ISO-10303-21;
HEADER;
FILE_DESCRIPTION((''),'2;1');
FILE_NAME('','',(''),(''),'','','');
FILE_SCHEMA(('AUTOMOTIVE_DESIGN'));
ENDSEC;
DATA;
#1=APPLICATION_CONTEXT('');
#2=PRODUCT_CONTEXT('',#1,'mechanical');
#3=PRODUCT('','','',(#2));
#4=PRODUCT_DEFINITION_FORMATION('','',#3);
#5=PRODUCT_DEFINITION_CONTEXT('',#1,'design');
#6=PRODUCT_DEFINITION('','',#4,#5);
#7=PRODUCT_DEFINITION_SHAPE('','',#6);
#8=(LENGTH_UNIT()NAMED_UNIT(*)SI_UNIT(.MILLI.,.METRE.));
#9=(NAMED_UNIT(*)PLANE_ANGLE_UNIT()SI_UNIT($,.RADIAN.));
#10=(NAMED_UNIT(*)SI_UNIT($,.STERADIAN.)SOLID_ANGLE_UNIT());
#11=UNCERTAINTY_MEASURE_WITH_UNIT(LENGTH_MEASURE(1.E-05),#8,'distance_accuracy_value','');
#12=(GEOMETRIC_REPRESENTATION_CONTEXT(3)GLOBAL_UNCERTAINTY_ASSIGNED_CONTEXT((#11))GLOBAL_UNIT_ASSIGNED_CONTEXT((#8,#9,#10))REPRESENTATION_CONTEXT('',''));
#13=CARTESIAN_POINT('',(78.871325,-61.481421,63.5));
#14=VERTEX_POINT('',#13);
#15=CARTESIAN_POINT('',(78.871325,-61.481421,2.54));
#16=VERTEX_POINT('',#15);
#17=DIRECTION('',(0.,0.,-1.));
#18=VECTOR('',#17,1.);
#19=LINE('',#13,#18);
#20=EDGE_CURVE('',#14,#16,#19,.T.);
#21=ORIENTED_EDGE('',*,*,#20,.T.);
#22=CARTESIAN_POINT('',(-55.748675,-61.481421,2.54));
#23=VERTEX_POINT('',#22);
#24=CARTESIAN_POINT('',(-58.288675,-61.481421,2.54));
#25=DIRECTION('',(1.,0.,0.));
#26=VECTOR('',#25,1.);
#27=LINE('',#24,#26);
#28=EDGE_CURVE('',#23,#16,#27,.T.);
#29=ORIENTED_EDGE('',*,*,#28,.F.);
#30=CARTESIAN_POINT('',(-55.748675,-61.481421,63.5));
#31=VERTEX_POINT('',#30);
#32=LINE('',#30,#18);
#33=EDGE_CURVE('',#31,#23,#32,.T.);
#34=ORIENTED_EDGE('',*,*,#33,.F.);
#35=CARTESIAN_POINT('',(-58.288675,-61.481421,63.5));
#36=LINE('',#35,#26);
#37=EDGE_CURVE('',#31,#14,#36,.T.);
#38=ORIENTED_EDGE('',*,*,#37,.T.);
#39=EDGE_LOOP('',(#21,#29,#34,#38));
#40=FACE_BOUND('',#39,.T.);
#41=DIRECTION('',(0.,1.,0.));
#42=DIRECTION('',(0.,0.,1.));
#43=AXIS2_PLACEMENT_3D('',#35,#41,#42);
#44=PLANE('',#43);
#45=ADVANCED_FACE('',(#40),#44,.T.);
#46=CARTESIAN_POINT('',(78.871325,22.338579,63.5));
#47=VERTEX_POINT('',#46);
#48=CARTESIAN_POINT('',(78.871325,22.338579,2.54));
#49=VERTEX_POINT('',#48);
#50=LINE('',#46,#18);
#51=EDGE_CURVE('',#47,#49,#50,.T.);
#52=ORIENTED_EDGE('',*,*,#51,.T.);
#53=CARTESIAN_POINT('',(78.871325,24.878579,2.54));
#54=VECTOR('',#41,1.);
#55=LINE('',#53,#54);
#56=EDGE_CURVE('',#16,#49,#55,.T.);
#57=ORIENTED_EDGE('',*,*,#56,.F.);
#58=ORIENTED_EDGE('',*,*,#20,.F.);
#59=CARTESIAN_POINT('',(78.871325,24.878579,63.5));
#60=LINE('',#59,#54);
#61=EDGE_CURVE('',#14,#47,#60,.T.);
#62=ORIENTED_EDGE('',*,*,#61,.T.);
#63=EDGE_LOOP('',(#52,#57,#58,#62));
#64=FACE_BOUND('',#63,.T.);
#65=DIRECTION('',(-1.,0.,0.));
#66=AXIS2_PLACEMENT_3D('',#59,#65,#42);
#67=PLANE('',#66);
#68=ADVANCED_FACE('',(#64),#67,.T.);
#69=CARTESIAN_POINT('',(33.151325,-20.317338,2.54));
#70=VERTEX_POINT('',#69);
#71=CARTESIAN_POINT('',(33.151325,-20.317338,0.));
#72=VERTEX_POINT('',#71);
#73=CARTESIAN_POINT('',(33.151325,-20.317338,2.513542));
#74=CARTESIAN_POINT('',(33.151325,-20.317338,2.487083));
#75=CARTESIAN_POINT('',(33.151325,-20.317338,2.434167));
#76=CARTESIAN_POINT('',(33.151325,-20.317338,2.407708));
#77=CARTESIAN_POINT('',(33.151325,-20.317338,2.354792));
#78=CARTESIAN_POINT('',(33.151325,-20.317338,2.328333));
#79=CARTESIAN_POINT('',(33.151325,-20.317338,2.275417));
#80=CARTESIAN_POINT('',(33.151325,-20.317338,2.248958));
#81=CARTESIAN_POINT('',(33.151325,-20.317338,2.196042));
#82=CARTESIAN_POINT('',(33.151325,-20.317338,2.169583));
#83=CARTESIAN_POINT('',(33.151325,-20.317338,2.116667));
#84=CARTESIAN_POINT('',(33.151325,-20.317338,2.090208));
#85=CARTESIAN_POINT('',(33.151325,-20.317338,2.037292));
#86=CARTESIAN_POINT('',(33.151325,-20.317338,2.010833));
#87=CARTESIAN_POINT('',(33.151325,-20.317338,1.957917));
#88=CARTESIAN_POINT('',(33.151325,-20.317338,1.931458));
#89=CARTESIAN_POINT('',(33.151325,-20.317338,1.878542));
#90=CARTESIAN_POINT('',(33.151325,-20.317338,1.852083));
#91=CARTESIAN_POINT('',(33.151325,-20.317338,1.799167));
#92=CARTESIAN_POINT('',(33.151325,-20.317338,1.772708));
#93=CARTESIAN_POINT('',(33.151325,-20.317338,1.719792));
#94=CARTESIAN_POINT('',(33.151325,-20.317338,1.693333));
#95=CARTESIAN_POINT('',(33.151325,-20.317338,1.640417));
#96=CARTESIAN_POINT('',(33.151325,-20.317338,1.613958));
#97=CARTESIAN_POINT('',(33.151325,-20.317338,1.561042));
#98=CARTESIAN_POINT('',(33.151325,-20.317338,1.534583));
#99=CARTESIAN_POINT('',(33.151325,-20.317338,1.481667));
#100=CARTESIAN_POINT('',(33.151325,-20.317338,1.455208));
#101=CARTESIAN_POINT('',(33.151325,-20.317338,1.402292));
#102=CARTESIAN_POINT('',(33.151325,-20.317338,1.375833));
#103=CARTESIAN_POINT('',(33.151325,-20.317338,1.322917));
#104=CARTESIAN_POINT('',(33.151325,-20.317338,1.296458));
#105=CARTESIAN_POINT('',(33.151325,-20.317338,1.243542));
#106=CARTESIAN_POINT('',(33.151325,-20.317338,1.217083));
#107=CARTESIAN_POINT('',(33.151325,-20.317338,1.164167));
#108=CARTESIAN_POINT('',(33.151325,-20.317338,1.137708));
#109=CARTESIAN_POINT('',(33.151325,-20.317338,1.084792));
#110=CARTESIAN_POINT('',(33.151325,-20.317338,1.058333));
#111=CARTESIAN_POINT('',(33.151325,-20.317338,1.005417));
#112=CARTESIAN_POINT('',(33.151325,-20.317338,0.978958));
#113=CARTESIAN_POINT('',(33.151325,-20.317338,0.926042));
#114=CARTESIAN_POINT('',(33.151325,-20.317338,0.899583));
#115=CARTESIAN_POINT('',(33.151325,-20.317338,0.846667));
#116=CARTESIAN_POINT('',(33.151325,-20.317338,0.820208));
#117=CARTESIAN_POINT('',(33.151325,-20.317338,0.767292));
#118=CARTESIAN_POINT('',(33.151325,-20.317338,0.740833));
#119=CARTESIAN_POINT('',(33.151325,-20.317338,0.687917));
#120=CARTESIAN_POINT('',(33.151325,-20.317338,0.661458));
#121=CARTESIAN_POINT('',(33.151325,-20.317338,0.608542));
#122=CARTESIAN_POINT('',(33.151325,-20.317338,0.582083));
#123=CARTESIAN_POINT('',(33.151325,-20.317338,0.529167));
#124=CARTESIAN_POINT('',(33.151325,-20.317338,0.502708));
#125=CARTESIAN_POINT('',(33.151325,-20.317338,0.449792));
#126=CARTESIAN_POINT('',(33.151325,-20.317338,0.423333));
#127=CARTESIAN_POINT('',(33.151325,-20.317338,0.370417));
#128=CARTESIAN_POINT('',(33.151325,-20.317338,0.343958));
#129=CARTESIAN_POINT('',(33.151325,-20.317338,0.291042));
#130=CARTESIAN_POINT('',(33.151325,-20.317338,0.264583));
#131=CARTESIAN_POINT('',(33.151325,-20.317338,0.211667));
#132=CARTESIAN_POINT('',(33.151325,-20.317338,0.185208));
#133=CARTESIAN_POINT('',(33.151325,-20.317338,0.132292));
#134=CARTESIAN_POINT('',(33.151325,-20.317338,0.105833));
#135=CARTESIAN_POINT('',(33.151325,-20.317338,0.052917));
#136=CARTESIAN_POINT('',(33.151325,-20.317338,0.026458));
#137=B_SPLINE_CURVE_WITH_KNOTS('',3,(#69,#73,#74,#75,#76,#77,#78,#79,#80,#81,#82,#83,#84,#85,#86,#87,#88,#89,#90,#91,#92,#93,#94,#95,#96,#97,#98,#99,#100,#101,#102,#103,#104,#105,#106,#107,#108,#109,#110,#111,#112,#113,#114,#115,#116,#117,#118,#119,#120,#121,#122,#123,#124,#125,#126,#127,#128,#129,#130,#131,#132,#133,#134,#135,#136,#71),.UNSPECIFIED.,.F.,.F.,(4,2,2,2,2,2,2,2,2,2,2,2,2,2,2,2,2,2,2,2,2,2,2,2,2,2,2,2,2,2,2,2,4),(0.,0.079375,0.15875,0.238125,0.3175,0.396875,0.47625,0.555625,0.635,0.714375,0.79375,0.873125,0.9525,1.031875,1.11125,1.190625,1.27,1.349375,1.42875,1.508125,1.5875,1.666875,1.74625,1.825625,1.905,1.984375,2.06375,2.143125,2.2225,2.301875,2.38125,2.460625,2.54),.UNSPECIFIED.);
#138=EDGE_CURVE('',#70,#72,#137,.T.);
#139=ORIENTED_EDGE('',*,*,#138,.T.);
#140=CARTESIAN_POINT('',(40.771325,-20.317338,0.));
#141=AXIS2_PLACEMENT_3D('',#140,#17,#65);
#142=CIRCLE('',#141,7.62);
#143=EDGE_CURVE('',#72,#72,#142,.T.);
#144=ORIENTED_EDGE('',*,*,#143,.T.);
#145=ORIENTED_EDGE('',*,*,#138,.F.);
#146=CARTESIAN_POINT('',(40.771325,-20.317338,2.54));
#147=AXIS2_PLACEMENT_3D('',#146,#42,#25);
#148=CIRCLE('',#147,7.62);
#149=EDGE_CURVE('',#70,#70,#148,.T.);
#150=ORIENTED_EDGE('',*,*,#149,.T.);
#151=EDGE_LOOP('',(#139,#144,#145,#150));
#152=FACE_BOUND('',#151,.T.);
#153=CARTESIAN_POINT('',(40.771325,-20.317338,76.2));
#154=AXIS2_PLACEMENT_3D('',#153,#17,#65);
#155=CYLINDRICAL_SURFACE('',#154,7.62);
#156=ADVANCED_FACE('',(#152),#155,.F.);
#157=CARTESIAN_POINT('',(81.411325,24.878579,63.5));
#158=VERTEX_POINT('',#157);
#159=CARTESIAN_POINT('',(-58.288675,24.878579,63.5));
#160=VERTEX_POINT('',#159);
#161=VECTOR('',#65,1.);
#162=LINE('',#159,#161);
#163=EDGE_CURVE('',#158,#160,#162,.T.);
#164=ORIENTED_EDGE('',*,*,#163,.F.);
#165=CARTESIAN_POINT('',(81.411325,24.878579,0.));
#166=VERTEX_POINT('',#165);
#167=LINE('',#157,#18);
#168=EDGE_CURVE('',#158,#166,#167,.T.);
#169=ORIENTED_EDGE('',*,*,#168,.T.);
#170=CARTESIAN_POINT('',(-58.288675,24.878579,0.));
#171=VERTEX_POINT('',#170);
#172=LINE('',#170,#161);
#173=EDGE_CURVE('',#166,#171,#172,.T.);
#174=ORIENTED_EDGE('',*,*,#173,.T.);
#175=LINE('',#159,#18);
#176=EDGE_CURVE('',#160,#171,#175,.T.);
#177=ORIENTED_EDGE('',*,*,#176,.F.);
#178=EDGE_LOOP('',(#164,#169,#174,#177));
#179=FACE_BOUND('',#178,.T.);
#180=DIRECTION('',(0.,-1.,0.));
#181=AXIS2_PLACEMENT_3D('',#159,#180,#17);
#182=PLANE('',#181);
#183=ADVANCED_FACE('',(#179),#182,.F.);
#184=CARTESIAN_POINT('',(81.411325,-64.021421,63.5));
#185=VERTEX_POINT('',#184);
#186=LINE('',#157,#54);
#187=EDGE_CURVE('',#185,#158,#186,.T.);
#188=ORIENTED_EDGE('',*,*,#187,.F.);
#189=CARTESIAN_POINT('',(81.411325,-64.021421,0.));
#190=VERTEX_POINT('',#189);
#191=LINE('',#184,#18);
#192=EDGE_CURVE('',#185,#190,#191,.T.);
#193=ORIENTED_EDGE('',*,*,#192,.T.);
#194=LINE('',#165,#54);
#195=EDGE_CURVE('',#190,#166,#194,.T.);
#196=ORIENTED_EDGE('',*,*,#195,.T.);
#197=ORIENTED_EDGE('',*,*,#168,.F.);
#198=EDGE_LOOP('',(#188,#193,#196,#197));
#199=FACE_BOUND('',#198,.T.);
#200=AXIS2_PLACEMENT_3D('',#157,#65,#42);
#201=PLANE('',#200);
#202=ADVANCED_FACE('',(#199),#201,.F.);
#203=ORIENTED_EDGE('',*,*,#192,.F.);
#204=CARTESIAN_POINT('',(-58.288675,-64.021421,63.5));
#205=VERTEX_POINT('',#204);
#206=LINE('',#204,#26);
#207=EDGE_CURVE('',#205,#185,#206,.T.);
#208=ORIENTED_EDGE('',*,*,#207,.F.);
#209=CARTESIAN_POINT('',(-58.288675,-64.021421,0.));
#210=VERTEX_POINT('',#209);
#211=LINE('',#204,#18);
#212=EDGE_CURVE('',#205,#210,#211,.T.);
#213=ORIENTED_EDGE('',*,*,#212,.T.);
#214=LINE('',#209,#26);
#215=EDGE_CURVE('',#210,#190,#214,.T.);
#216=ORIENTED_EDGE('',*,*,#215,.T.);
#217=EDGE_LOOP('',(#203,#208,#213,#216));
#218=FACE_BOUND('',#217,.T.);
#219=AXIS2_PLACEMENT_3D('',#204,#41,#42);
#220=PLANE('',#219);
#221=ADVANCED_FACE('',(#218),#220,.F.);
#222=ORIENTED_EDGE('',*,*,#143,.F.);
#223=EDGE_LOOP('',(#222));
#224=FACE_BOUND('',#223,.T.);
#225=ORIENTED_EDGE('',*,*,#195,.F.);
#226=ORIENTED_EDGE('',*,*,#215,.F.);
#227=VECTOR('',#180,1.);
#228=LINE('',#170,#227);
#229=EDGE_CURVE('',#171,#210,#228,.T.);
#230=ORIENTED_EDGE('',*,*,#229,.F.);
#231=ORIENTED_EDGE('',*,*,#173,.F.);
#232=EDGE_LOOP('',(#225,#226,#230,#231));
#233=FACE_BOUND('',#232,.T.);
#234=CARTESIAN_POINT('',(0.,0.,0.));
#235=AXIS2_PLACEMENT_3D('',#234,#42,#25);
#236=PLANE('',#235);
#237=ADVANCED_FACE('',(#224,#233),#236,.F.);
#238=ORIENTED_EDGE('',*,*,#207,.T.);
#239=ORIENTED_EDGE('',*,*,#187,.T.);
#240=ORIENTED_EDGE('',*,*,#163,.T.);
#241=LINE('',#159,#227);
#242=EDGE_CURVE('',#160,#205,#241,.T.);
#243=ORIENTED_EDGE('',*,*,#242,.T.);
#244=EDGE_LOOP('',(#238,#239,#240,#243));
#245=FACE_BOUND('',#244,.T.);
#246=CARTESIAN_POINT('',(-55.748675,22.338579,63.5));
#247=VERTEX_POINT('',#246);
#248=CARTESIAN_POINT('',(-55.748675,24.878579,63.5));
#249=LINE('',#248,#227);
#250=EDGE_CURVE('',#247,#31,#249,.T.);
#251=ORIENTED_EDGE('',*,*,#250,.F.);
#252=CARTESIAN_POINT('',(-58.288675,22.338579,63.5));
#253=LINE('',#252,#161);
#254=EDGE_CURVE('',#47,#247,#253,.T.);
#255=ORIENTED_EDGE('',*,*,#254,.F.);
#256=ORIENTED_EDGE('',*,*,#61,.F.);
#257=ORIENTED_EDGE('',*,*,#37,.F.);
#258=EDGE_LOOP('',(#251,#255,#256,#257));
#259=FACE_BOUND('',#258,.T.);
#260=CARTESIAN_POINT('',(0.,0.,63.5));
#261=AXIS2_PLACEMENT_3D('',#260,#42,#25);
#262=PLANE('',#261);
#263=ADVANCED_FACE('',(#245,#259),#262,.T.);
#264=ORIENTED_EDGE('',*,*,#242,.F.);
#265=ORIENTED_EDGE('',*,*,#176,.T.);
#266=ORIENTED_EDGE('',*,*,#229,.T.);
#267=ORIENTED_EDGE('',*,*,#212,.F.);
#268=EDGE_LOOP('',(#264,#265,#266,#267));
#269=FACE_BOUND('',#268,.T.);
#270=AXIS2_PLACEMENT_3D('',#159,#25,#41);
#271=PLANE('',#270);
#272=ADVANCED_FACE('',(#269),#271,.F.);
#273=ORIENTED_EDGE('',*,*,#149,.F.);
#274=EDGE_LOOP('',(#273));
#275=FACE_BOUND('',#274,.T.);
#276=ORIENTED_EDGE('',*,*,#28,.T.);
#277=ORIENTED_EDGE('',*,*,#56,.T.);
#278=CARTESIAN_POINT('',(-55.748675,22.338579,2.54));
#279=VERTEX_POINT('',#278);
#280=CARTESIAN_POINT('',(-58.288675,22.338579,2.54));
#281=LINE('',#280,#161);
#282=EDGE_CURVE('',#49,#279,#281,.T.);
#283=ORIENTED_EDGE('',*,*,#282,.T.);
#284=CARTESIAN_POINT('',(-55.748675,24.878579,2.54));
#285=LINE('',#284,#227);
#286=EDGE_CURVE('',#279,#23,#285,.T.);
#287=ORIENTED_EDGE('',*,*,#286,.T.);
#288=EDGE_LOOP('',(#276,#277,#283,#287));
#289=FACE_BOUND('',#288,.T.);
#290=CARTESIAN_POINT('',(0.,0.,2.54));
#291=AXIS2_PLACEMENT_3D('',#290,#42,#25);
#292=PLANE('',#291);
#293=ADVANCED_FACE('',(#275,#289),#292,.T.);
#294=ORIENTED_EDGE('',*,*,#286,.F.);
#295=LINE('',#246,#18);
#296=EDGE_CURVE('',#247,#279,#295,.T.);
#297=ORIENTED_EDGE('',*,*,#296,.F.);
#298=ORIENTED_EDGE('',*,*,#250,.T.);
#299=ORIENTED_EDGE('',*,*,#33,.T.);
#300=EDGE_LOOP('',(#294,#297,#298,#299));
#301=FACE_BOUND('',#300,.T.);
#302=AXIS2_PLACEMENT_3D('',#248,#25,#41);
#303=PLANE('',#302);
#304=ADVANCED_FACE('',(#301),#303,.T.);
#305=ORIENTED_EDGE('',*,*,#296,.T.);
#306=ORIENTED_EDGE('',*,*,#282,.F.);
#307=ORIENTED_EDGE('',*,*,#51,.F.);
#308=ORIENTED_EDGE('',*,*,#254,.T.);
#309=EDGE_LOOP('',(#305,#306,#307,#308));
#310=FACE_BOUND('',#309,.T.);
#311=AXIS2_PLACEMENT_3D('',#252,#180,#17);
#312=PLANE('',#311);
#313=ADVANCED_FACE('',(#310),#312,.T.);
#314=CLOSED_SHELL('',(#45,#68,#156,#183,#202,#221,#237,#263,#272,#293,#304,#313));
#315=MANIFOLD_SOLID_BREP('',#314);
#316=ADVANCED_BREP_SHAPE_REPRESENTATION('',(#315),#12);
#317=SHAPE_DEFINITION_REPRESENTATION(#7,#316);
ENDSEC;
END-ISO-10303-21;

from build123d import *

# Parameters (mm, degrees)
SKETCH1_W           = 139.7
SKETCH1_H           = 88.9
BOSS_EXTRUDE1_DEPTH = 63.5
SHELL1_T            = -2.54
SKETCH2_R           = 7.62
CUT_EXTRUDE1_DEPTH  = 76.2


with BuildPart() as part:
    # Sketch1 → Boss-Extrude1 (new body)
    with BuildSketch(Plane.XY):
        with Locations((11.561325185, -19.571420525)):
            Rectangle(SKETCH1_W, SKETCH1_H)
    extrude(amount=BOSS_EXTRUDE1_DEPTH)

    # Shell1
    shell1_openings = [part.faces().sort_by_distance(p)[0] for p in [
        (11.561325185, -19.571420525, 63.5),
    ]]
    offset(amount=SHELL1_T, openings=shell1_openings, kind=Kind.INTERSECTION)

    # Sketch2 → Cut-Extrude1 (cut)
    with BuildSketch(Plane(origin=(0, 0, 0), x_dir=(-1, 0, 0), z_dir=(0, 0, -1))):
        with Locations((-40.771325185, -20.31733829)):
            Circle(SKETCH2_R)
    extrude(amount=-CUT_EXTRUDE1_DEPTH, mode=Mode.SUBTRACT)


solid = part.part
